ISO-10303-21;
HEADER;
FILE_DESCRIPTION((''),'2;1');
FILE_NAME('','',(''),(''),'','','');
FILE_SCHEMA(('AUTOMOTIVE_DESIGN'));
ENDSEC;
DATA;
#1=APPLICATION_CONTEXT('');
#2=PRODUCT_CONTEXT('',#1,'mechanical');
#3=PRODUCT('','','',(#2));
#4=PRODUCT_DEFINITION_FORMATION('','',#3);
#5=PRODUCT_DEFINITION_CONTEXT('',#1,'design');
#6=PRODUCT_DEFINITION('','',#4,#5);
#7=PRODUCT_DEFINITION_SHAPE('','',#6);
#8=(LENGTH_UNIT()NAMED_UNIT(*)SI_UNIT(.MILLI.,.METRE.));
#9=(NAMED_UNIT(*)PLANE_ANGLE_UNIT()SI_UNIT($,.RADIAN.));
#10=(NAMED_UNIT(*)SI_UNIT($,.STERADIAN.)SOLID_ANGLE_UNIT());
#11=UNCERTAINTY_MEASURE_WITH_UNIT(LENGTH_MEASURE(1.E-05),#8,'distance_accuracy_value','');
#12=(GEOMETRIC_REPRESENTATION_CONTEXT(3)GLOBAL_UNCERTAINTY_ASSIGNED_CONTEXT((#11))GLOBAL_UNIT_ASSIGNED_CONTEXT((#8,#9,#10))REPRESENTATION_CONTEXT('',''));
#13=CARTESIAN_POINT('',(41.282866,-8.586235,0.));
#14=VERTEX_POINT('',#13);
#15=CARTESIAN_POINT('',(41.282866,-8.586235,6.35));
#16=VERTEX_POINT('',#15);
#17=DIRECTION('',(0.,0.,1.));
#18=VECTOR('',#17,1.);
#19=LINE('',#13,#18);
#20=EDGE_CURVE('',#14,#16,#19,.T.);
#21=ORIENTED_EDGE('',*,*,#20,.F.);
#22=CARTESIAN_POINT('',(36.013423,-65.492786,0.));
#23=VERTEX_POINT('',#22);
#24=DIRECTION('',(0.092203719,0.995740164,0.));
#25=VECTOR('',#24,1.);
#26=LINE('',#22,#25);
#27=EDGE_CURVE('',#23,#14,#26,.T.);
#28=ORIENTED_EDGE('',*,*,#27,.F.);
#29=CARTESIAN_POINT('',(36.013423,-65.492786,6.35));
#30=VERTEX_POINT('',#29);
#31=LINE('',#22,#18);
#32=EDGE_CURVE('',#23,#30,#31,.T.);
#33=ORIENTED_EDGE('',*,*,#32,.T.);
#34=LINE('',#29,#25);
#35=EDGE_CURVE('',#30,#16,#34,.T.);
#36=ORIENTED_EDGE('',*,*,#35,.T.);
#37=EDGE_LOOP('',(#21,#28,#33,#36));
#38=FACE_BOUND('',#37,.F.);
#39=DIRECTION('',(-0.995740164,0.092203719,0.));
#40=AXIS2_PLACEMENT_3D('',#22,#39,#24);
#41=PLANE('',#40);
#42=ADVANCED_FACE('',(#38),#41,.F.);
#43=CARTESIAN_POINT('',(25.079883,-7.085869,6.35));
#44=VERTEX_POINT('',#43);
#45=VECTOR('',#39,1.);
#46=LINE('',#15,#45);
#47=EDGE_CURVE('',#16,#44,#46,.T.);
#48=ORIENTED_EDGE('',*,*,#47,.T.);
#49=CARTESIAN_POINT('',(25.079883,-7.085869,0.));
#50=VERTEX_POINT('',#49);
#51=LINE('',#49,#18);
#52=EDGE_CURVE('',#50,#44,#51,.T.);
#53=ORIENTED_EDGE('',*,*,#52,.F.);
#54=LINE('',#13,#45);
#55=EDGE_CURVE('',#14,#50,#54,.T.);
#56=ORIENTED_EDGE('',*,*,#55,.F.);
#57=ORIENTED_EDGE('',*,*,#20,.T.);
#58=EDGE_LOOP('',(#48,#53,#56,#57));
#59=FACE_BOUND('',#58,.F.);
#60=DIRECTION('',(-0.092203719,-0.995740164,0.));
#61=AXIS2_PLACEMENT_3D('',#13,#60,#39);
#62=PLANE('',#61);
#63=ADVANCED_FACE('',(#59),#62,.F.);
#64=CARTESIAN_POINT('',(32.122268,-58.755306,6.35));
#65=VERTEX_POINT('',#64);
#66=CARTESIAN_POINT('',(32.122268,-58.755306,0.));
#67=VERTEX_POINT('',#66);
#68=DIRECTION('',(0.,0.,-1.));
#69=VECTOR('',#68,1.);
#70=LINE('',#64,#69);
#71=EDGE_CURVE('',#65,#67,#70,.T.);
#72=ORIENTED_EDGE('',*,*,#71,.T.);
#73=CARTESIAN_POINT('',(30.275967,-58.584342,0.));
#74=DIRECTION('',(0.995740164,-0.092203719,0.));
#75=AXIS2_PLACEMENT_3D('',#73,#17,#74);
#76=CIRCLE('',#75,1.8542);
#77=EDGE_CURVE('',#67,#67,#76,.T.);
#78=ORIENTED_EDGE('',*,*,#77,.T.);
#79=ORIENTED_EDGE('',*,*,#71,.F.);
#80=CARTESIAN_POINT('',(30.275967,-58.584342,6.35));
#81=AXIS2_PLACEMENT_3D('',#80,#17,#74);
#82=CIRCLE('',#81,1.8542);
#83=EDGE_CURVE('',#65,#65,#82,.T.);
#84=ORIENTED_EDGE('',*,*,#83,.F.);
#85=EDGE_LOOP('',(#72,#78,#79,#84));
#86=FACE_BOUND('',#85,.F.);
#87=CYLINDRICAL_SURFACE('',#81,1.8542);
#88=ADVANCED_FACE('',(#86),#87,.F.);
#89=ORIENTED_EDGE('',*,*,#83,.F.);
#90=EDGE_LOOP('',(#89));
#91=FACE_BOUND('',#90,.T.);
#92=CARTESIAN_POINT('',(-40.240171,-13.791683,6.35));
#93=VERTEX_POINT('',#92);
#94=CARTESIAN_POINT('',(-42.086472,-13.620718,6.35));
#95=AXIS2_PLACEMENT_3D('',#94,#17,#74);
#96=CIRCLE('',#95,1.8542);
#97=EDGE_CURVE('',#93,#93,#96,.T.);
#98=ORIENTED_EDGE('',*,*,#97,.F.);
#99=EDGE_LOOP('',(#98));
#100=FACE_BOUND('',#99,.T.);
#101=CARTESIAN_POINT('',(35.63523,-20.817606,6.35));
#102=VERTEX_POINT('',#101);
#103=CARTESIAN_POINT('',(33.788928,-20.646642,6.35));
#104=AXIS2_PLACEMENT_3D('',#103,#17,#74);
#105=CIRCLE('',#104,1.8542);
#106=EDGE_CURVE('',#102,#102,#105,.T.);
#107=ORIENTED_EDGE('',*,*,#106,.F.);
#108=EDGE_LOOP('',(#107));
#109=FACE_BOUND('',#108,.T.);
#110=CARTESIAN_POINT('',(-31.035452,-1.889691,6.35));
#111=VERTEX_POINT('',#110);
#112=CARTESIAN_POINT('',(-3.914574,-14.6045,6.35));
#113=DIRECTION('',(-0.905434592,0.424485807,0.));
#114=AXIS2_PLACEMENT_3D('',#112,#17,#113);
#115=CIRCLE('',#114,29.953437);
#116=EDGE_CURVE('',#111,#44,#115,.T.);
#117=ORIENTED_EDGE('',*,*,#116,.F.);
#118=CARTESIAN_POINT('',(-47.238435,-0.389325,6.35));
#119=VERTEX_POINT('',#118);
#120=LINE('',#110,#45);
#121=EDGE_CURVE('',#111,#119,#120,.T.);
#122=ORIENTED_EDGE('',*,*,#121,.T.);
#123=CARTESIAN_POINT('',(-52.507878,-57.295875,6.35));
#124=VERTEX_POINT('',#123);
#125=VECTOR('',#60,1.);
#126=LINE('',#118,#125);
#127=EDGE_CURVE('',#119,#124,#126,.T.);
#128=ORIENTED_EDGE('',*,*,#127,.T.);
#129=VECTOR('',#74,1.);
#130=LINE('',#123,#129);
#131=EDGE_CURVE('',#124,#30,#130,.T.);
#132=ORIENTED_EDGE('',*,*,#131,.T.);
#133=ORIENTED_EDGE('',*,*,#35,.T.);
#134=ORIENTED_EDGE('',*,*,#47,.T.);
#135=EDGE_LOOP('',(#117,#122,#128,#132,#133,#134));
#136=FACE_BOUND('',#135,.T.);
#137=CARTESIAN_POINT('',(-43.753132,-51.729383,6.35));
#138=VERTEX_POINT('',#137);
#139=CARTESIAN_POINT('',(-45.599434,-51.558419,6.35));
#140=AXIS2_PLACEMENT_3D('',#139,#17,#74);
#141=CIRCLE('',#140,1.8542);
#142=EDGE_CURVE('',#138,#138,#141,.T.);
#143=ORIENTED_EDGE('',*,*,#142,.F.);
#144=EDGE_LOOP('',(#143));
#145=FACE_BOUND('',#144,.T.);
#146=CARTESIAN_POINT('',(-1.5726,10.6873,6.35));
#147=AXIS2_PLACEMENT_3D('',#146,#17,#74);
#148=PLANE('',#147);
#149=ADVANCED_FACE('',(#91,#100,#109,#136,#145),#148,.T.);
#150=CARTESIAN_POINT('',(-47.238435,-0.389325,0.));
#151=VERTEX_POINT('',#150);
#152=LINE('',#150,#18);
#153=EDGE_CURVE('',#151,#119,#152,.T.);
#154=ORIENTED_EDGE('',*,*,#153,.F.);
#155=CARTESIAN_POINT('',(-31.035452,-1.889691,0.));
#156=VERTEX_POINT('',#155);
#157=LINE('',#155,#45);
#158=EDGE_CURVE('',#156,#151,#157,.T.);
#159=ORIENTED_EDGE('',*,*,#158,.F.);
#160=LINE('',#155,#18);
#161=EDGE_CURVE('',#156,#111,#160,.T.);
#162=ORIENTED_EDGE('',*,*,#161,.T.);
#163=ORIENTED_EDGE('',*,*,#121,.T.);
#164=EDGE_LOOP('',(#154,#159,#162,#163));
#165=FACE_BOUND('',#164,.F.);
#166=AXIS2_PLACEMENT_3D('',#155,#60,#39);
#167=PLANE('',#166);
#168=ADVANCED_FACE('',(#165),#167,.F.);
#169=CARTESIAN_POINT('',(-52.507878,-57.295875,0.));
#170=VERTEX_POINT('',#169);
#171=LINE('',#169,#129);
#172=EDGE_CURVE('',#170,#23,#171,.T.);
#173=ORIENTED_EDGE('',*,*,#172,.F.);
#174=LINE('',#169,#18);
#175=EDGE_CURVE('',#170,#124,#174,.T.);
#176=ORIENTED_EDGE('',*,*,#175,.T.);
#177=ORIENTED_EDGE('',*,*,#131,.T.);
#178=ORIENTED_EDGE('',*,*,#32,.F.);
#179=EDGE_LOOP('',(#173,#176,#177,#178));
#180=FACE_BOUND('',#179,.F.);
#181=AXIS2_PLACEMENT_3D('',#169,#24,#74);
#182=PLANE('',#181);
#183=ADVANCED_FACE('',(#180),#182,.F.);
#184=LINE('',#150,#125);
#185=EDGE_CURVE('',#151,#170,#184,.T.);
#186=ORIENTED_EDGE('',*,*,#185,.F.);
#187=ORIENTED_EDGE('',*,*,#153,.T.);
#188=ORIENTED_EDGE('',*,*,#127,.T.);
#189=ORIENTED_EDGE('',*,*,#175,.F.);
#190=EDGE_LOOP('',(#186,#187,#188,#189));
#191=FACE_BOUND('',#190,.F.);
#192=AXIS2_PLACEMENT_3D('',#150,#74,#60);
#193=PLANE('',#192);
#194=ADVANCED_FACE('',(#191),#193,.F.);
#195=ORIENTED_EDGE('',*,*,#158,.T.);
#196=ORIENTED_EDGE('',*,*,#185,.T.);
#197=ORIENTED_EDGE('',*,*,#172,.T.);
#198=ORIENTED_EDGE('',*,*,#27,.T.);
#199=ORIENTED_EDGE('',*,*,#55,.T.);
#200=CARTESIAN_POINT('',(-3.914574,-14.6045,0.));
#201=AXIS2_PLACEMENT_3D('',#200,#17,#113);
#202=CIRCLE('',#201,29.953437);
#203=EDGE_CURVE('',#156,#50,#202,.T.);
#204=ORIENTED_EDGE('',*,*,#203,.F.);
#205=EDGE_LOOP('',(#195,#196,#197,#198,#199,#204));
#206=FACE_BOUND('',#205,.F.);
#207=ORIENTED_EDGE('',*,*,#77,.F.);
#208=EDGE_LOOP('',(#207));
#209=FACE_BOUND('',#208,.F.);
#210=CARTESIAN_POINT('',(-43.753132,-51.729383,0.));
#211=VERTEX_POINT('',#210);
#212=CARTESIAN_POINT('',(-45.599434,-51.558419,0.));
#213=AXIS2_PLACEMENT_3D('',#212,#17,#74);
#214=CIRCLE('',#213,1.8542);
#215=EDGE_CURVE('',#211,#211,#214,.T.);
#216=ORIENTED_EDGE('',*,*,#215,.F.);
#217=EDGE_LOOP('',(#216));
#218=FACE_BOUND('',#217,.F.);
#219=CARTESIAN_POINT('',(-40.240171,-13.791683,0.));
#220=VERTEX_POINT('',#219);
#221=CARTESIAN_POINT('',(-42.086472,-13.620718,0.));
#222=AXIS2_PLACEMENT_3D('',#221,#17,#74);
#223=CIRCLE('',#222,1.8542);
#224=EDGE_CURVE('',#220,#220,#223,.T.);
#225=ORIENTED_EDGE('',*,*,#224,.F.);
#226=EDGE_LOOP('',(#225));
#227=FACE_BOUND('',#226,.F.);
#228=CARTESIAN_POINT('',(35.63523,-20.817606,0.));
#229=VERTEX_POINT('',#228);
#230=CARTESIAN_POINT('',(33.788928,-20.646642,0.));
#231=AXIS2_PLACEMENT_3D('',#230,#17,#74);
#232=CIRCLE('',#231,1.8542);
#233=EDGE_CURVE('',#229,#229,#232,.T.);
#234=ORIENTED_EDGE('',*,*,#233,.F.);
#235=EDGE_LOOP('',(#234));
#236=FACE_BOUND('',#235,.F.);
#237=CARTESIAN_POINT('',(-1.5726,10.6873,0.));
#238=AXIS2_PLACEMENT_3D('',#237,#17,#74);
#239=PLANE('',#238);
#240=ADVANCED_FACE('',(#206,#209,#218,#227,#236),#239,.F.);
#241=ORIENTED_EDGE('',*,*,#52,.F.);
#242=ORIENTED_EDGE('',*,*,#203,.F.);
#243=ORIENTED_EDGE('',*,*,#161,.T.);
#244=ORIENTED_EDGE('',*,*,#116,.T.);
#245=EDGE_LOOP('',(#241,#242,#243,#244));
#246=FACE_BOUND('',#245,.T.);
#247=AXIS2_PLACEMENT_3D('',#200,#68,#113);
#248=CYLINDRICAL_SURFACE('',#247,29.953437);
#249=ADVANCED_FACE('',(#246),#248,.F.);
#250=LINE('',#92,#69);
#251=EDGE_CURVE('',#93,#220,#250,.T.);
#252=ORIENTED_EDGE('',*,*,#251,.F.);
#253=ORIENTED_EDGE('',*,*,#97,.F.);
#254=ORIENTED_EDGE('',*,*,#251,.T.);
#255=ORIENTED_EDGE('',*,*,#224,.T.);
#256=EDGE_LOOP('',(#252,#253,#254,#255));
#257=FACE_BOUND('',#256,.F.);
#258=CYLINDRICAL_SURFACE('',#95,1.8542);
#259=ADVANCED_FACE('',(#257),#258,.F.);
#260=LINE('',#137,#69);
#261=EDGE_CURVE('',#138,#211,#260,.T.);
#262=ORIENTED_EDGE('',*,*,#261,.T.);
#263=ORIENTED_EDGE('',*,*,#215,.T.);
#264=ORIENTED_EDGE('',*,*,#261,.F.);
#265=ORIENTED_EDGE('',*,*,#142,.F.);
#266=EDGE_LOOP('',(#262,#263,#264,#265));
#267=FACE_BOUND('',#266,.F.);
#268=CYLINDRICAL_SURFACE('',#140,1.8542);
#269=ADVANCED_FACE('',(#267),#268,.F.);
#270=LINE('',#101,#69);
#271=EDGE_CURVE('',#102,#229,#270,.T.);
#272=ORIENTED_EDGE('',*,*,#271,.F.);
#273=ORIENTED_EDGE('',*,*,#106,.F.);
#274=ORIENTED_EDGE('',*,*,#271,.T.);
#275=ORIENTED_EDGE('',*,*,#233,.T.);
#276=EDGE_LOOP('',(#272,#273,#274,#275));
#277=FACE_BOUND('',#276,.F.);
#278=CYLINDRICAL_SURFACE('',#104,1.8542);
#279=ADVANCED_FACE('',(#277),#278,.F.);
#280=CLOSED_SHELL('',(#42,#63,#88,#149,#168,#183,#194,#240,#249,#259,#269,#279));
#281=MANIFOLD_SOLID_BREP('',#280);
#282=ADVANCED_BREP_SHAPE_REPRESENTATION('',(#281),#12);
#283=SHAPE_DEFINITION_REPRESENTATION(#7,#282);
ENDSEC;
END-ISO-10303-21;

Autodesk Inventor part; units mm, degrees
ref_plane "YZ Plane" through (0, 0, 0) normal (1, 0, 0) x (0, 1, 0)
ref_plane "XZ Plane" through (0, 0, 0) normal (0, 1, 0) x (-1, 0, 0)
ref_plane "XY Plane" through (0, 0, 0) normal (0, 0, 1) x (1, 0, 0)
ref_plane "Work Plane1" through (-1.5726, 10.6873, 0) normal (0, 0, 1) x (0.9957, -0.0922, 0)
sketch "Sketch1" plane through (-1.5726, 10.6873, 0) normal (0, 0, 1) x (0.9957, -0.0922, 0)
  circle A0 centre (0, -25.4) radius 24.765 construction
  arc A1 (-28.1777, -15.24) -> (28.1777, -15.24) centre (0, -25.4) ccw
  line L0 (-44.45, -72.39) -> (44.45, -72.39)
  line L1 (44.45, -72.39) -> (44.45, -15.24)
  line L2 (-44.45, -15.24) -> (-44.45, -72.39)
  line L3 (44.45, -15.24) -> (28.1777, -15.24)
  line L4 (-28.1777, -15.24) -> (-44.45, -15.24)
  point P0 (2.5512, -10.4968)
  dimension "d0" = 88.9
  dimension "d1" = 57.15
  dimension "d2" = 44.45
  dimension "d3" = 44.45
  dimension "d4" = 46.99
  dimension "d5" = 29.9535
  dimension "d6" = 88.9
extrude "Extrusion1" add sketch "Sketch1" along normal blind 6.35
sketch "Sketch2" plane through (-1.5726, 10.6873, 6.35) normal (0, 0, 1) x (0.9957, -0.0922, 0)
  line L0 (-44.45, -72.39) -> (44.45, -72.39) projected
  line L1 (44.45, -72.39) -> (44.45, -15.24) projected
  line L2 (-44.45, -15.24) -> (-44.45, -72.39) projected
  circle A0 centre (-38.1, -66.04) radius 1.8542
  circle A1 centre (38.1, -66.04) radius 1.8542
  circle A2 centre (-38.1, -27.94) radius 1.8542
  circle A3 centre (38.1, -27.94) radius 1.8542
  point P0 (2.5512, -10.4968)
  dimension "d9" = 3.7084
  dimension "d10" = 3.7084
  dimension "d11" = 6.35
  dimension "d12" = 6.35
  dimension "d13" = 6.35
  dimension "d14" = 6.35
  dimension "d17" = 38.1
extrude "Extrusion2" cut sketch "Sketch2" against normal through all
equation "\"d2\" = d3"
equation "\"d12\" = d11"
equation "\"d13\" = d11"
equation "\"d14\" = d11"
properties part number "outputGearSupport"
